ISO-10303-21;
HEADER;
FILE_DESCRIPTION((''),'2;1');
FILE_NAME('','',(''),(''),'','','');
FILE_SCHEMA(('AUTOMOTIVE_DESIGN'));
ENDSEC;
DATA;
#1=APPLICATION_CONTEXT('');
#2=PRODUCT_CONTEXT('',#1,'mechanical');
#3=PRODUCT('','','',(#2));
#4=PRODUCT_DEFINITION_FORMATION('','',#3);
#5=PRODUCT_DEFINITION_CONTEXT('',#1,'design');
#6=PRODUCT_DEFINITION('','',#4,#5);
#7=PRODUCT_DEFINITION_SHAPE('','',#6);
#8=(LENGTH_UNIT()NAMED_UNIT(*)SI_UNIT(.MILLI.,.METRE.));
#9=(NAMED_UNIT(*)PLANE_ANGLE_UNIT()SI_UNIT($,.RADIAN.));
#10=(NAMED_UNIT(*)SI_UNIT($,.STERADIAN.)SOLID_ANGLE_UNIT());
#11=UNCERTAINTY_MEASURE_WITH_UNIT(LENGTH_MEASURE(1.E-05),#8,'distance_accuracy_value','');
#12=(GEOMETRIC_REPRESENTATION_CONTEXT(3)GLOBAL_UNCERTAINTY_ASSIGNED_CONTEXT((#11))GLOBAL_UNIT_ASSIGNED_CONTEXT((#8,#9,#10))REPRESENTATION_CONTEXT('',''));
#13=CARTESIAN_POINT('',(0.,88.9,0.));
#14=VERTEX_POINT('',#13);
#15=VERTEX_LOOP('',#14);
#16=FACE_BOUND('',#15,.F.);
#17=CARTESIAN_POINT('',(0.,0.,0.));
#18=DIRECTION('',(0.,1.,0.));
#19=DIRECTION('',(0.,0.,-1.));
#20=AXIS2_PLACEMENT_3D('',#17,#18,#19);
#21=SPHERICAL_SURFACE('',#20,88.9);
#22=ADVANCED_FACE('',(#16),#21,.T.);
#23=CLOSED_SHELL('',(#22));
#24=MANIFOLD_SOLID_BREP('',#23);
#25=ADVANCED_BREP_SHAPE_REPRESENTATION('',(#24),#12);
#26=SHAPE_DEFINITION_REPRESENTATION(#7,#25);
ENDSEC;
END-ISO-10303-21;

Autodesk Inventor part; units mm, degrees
ref_plane "YZ Plane" through (0, 0, 0) normal (1, 0, 0) x (0, 1, 0)
ref_plane "XZ Plane" through (0, 0, 0) normal (0, 1, 0) x (-1, 0, 0)
ref_plane "XY Plane" through (0, 0, 0) normal (0, 0, 1) x (1, 0, 0)
sketch "Sketch1" plane through (0, 0, 0) normal (1, 0, 0) x (0, 1, 0)
  circle A0 centre (0, 0) radius 88.9
  line L0 (88.9, 0) -> (-88.9, 0)
  dimension "d0" = 177.8
revolve "Revolution1" add sketch "Sketch1" angle 360 about axis through (0, 88.9, 0) along (0, -1, 0) picked at (-14.8167, -25.6632) contours A0 L0
properties part number "FRC Ball"
